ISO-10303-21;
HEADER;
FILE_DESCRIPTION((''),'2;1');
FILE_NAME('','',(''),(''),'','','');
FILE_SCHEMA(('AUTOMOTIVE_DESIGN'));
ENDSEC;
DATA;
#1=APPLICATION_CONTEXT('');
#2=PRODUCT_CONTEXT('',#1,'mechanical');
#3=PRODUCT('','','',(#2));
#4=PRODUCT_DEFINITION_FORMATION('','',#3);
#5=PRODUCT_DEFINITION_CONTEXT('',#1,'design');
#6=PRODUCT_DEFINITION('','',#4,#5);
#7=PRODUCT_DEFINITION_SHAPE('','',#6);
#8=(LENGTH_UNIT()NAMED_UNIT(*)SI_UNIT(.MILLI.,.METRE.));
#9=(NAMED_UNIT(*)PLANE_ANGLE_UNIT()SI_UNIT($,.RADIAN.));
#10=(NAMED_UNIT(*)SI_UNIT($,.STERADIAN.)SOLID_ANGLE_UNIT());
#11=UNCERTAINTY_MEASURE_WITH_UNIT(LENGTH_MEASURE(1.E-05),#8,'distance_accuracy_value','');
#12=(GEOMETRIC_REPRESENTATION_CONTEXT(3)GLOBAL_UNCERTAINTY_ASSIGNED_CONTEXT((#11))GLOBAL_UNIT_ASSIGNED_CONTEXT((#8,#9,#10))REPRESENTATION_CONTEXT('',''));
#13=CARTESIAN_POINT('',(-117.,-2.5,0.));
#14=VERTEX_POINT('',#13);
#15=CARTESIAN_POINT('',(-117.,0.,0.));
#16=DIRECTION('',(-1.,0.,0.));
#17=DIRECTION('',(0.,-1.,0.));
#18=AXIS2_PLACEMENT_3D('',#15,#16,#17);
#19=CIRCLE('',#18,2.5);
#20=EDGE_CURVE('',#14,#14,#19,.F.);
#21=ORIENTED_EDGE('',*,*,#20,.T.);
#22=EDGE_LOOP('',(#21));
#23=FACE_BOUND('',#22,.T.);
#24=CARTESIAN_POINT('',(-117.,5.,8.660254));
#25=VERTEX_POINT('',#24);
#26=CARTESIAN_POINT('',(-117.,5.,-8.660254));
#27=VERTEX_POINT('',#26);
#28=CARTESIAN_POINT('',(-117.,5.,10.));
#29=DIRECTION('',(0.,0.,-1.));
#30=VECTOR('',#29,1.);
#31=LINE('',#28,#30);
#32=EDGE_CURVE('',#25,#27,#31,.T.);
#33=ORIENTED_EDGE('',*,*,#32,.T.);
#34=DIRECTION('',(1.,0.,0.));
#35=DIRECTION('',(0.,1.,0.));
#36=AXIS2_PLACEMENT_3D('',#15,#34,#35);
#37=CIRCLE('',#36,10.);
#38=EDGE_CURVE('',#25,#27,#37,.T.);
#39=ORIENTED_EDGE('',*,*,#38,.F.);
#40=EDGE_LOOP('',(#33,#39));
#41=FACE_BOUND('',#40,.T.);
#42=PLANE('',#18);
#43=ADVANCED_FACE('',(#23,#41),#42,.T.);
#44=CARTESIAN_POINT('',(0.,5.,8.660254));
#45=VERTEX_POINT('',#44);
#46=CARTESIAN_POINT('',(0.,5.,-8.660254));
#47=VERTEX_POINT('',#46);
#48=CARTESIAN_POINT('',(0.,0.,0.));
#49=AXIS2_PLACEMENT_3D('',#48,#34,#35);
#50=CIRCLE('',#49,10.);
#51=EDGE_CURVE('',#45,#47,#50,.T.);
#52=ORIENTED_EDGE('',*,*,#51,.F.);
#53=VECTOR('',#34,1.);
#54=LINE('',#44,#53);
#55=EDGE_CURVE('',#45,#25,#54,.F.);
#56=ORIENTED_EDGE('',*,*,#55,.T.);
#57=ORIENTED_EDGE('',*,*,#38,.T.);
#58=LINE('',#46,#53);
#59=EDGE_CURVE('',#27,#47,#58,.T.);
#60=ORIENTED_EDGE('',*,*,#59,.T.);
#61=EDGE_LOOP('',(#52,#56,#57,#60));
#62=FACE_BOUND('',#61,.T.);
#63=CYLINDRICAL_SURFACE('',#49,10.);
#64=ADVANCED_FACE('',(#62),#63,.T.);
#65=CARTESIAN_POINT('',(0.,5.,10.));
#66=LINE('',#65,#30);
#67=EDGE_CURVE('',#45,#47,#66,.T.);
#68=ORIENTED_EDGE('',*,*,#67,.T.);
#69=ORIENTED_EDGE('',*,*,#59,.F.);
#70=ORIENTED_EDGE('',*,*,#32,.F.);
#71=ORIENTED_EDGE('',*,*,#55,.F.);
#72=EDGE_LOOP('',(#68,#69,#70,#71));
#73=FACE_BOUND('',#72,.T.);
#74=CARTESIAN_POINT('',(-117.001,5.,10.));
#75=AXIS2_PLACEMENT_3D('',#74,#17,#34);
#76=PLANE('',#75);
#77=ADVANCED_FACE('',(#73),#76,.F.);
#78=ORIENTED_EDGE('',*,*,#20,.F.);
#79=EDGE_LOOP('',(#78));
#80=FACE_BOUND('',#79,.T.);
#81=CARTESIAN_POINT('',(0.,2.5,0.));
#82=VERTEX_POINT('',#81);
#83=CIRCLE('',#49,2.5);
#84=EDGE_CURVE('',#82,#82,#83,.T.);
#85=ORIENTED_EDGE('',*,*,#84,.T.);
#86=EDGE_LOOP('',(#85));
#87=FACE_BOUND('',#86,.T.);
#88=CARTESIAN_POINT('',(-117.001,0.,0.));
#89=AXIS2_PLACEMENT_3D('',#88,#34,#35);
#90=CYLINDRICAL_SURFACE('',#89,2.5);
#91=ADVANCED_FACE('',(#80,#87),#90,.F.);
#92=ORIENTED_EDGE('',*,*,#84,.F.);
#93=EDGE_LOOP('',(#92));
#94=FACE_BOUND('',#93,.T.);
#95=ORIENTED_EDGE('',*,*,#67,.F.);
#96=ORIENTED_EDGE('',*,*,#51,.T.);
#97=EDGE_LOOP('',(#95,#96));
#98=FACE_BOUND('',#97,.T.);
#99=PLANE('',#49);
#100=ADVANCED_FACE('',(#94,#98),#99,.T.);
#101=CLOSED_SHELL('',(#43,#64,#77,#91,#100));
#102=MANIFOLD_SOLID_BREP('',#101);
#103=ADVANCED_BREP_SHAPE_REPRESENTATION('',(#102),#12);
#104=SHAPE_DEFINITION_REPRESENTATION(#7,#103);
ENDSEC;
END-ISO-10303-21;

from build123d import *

# Parameters (mm, degrees)
ESQUISSE1_W             = 117
ESQUISSE1_H             = 10
ENL_V_MAT_EXTRU_1_REACH = 119.852
ESQUISSE2_R             = 2.5
ENL_V_MAT_EXTRU_2_REACH = 119.852
ESQUISSE3_W             = 20
ESQUISSE3_H             = 5


with BuildPart() as part:
    # Esquisse1 → Révolution1 (revolve)
    with BuildSketch(Plane.XY):
        with Locations((-58.5, 5)):
            Rectangle(ESQUISSE1_W, ESQUISSE1_H)
    revolve(axis=Axis((0, 0, 0), (-1, 0, 0)))

    # Esquisse2 → Enlèv. mat.-Extru.1 (cut, up to next)
    with BuildSketch(Plane(origin=(0, 0, 0), x_dir=(0, 0, -1), z_dir=(1, 0, 0)), mode=Mode.PRIVATE) as enl_v_mat_extru_1_sk1:
        with Locations(Location((0, 0, 0), (0, 0, 90))):
            Circle(ESQUISSE2_R)
    enl_v_mat_extru_1_tool1 = extrude(enl_v_mat_extru_1_sk1.sketch, amount=-ENL_V_MAT_EXTRU_1_REACH, mode=Mode.PRIVATE) & part.part
    add(enl_v_mat_extru_1_tool1.solids().sort_by_distance((0, 0, 0))[0], mode=Mode.SUBTRACT)

    # Esquisse3 → Enlèv. mat.-Extru.2 (cut, up to next)
    with BuildSketch(Plane(origin=(0, 0, 0), x_dir=(0, 0, -1), z_dir=(1, 0, 0)), mode=Mode.PRIVATE) as enl_v_mat_extru_2_sk1:
        with Locations((0, 7.5)):
            Rectangle(ESQUISSE3_W, ESQUISSE3_H)
    enl_v_mat_extru_2_tool1 = extrude(enl_v_mat_extru_2_sk1.sketch, amount=-ENL_V_MAT_EXTRU_2_REACH, mode=Mode.PRIVATE) & part.part
    add(enl_v_mat_extru_2_tool1.solids().sort_by_distance((0, 7.5, 0))[0], mode=Mode.SUBTRACT)


solid = part.part
